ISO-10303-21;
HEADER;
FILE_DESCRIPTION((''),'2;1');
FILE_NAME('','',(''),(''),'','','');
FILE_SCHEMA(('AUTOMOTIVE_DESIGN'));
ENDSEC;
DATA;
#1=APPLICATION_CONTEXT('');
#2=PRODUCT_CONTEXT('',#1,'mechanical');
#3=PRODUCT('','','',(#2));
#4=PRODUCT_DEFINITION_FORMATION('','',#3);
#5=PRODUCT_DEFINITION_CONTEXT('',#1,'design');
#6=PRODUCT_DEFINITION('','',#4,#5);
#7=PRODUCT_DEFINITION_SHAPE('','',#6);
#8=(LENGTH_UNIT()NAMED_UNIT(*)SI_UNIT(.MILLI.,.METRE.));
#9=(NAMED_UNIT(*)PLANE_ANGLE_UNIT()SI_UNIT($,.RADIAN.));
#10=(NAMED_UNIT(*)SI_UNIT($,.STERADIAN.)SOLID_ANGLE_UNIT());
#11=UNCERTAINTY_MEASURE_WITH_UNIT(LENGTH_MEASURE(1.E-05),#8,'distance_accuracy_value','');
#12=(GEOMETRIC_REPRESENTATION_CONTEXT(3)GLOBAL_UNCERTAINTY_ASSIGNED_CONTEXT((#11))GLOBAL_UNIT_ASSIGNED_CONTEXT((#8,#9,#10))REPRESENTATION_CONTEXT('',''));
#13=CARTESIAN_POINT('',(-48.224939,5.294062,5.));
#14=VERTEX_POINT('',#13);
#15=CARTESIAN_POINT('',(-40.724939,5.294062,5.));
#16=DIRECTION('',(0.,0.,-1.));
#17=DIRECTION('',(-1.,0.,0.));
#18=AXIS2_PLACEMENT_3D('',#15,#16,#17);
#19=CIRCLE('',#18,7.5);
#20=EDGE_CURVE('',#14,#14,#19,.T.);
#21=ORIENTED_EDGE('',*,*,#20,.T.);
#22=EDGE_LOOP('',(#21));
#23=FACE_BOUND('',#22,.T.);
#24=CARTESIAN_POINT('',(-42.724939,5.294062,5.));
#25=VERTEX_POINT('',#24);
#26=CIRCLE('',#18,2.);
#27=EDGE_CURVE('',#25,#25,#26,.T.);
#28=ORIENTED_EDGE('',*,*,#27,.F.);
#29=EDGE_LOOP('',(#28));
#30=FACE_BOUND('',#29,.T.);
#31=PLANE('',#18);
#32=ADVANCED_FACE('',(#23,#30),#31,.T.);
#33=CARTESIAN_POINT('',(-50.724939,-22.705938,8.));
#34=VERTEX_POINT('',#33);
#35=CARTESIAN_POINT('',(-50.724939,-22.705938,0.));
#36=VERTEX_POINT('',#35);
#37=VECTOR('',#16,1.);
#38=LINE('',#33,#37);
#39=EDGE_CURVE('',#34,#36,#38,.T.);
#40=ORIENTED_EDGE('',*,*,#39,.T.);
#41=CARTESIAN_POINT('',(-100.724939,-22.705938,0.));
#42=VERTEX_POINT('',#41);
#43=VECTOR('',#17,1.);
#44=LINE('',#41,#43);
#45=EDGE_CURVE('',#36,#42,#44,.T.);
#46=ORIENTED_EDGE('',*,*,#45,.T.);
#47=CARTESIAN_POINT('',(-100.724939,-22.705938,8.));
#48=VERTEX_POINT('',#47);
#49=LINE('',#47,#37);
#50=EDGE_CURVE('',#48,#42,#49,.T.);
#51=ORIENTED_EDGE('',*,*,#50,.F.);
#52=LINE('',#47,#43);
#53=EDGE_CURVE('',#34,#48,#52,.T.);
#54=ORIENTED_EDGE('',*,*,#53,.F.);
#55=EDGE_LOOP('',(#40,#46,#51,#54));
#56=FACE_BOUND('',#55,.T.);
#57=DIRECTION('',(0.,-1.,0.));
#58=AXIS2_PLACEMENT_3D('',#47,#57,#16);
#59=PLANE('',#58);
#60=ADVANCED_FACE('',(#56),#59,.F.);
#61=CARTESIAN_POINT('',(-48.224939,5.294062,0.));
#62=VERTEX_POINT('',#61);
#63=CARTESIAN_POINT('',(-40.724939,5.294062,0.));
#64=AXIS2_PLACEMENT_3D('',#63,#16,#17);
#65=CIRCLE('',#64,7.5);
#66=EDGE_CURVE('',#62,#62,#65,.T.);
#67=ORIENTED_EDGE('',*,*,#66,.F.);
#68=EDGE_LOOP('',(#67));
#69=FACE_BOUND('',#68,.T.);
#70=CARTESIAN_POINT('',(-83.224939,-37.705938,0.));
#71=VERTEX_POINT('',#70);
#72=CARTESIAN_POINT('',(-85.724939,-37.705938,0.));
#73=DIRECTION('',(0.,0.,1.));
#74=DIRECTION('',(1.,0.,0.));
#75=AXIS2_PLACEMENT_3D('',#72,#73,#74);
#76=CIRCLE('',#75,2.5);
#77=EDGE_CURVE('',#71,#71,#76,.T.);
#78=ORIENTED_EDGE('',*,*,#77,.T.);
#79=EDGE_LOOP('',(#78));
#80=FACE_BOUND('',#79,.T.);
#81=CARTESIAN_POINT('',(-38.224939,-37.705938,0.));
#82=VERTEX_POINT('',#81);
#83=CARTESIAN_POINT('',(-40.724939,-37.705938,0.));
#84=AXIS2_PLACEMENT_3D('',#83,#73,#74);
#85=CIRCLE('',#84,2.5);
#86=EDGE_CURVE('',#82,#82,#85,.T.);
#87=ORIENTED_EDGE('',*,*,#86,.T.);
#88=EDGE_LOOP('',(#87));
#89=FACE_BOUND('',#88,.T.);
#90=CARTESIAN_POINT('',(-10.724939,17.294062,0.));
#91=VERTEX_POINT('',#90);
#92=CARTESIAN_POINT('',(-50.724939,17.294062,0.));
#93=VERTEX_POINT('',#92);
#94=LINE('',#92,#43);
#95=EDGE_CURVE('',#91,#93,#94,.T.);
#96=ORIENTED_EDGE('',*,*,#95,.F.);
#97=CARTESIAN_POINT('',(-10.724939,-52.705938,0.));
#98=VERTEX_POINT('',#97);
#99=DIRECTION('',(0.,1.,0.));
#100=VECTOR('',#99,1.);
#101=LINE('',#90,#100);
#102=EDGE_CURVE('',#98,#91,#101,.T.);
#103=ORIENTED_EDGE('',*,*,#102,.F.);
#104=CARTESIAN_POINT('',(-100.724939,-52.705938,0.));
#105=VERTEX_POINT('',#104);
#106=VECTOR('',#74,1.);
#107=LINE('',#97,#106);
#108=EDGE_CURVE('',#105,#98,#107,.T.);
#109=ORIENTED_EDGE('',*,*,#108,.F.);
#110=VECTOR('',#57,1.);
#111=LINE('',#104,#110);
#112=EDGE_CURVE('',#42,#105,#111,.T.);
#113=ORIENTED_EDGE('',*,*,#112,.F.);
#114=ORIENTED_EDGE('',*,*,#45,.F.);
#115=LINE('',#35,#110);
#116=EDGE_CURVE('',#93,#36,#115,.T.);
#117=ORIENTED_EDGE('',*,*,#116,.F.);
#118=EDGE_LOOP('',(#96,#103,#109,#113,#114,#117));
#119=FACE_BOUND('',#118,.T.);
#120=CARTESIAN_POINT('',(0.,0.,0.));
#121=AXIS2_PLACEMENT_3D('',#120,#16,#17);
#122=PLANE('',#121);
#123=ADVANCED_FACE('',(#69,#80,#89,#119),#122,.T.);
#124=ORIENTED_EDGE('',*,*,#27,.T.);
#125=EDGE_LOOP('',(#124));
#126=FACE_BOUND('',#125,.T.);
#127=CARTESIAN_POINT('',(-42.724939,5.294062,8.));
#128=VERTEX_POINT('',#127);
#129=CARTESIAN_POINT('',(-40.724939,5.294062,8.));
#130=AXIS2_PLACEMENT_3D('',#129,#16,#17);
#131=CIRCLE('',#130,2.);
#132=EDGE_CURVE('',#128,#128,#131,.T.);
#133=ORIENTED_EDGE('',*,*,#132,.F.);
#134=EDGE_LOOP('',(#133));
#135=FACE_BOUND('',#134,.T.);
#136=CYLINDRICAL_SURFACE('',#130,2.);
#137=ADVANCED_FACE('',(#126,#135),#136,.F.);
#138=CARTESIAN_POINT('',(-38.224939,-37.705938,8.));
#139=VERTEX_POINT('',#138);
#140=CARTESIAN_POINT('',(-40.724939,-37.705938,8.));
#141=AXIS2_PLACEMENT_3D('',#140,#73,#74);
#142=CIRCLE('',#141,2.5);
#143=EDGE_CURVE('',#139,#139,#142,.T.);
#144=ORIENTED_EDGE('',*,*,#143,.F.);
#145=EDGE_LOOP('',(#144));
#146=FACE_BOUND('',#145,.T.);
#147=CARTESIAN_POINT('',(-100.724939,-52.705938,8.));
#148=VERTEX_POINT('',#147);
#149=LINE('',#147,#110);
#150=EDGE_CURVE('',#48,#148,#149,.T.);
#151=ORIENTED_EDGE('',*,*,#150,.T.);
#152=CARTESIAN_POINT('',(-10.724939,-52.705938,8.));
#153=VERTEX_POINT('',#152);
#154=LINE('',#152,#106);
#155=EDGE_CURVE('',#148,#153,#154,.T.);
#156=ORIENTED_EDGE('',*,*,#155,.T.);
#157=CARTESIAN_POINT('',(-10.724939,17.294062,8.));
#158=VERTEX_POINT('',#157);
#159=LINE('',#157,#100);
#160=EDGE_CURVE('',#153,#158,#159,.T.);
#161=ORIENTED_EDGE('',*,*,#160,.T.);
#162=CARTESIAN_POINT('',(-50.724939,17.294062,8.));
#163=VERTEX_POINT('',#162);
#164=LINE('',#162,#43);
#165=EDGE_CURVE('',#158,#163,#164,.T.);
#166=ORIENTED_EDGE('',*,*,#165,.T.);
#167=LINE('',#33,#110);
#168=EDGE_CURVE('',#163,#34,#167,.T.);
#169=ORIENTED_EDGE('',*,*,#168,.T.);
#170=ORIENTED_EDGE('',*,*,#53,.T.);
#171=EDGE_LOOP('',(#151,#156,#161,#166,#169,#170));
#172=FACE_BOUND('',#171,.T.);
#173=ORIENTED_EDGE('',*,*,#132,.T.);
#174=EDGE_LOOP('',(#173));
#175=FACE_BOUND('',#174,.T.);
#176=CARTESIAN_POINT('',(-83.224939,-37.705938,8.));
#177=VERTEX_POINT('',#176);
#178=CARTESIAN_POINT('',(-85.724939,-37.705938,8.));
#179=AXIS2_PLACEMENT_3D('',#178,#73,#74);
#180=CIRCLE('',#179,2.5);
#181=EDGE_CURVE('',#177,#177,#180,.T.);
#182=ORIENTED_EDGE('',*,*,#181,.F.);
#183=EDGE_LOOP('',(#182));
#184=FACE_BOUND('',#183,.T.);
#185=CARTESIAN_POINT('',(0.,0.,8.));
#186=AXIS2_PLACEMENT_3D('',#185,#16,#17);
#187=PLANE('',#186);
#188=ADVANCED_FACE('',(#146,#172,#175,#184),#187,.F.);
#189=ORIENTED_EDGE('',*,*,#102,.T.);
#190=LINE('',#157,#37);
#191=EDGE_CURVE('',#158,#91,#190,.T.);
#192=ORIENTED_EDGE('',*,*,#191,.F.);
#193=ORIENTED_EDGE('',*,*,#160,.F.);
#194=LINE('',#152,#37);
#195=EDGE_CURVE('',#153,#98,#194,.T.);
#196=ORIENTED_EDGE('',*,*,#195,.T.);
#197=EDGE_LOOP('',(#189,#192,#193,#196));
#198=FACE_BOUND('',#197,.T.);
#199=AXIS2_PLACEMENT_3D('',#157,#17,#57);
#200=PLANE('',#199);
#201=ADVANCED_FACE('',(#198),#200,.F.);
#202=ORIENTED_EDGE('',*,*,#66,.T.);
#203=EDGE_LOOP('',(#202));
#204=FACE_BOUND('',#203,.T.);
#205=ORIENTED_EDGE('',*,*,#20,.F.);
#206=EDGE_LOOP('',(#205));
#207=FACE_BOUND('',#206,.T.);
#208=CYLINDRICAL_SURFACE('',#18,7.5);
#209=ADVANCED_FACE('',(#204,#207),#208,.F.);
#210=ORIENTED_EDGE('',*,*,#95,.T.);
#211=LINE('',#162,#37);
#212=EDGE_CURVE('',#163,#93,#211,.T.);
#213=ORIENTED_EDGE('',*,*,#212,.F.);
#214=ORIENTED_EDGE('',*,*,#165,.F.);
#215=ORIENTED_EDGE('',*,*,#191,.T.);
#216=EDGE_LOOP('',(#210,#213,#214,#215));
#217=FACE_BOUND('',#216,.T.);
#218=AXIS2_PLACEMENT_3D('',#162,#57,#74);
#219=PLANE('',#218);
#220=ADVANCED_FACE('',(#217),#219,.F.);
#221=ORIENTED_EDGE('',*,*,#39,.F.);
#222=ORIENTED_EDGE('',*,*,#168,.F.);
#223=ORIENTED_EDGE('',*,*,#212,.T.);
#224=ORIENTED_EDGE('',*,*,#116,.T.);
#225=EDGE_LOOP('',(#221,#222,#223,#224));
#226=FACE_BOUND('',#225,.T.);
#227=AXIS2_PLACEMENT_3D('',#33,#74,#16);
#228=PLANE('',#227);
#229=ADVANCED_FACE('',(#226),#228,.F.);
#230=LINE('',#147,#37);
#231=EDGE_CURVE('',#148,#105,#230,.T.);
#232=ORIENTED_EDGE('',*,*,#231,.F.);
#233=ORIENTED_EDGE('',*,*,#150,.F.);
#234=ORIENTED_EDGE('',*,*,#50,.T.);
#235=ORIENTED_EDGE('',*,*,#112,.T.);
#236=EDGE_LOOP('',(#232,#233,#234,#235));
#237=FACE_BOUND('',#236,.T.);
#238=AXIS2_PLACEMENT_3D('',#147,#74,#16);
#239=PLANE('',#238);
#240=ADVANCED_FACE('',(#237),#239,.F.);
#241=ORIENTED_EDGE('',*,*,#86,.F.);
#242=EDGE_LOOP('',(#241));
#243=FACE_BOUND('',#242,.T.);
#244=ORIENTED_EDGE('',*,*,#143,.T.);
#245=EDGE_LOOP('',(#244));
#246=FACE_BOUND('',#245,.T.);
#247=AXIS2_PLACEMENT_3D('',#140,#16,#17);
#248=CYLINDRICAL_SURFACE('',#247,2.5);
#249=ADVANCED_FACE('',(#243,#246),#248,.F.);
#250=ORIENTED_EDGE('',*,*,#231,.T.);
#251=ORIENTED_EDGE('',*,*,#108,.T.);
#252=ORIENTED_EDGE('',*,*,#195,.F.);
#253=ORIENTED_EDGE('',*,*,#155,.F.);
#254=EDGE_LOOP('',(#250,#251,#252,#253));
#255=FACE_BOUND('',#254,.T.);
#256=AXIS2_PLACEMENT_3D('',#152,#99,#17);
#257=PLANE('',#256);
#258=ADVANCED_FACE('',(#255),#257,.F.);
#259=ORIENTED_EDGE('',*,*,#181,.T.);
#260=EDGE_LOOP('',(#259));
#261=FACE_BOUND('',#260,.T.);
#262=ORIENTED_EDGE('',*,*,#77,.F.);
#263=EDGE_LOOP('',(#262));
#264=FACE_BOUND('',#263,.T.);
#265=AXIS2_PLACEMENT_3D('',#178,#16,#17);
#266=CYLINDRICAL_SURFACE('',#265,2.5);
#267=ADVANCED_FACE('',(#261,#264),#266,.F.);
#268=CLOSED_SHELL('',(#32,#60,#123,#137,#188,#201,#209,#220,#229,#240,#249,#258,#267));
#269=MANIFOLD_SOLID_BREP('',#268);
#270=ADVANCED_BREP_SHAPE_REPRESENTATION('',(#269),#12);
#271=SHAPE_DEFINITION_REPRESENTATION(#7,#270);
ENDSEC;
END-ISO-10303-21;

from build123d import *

# Parameters (mm, degrees)
SKETCH1_R           = 2.5
BOSS_EXTRUDE1_DEPTH = 8
SKETCH2_R           = 7.5
CUT_EXTRUDE1_DEPTH  = 5
SKETCH3_R           = 2
CUT_EXTRUDE2_DEPTH  = 114.791165634


with BuildPart() as part:
    # Sketch1 → Boss-Extrude1 (new body)
    with BuildSketch(Plane.XY):
        Polygon((-50.724939449, 17.294061535), (-10.724939449, 17.294061535), (-10.724939449, -52.705938465), (-100.724939449, -52.705938465), (-100.724939449, -22.705938465), (-50.724939449, -22.705938465), align=None)
        with Locations((-85.724939449, -37.705938465)):
            Circle(SKETCH1_R, mode=Mode.SUBTRACT)
        with Locations((-40.724939449, -37.705938465)):
            Circle(SKETCH1_R, mode=Mode.SUBTRACT)
    extrude(amount=BOSS_EXTRUDE1_DEPTH)

    # Sketch2 → Cut-Extrude1 (cut)
    with BuildSketch(Plane(origin=(0, 0, 0), x_dir=(-1, 0, 0), z_dir=(0, 0, -1))):
        with Locations((40.724939449, 5.294061535)):
            Circle(SKETCH2_R)
    extrude(amount=-CUT_EXTRUDE1_DEPTH, mode=Mode.SUBTRACT)

    # Sketch3 → Cut-Extrude2 (cut, through all)
    with BuildSketch(Plane(origin=(0, 0, 5), x_dir=(-1, 0, 0), z_dir=(0, 0, -1))):
        with Locations((40.724939449, 5.294061535)):
            Circle(SKETCH3_R)
    extrude(amount=-CUT_EXTRUDE2_DEPTH, mode=Mode.SUBTRACT)


solid = part.part
